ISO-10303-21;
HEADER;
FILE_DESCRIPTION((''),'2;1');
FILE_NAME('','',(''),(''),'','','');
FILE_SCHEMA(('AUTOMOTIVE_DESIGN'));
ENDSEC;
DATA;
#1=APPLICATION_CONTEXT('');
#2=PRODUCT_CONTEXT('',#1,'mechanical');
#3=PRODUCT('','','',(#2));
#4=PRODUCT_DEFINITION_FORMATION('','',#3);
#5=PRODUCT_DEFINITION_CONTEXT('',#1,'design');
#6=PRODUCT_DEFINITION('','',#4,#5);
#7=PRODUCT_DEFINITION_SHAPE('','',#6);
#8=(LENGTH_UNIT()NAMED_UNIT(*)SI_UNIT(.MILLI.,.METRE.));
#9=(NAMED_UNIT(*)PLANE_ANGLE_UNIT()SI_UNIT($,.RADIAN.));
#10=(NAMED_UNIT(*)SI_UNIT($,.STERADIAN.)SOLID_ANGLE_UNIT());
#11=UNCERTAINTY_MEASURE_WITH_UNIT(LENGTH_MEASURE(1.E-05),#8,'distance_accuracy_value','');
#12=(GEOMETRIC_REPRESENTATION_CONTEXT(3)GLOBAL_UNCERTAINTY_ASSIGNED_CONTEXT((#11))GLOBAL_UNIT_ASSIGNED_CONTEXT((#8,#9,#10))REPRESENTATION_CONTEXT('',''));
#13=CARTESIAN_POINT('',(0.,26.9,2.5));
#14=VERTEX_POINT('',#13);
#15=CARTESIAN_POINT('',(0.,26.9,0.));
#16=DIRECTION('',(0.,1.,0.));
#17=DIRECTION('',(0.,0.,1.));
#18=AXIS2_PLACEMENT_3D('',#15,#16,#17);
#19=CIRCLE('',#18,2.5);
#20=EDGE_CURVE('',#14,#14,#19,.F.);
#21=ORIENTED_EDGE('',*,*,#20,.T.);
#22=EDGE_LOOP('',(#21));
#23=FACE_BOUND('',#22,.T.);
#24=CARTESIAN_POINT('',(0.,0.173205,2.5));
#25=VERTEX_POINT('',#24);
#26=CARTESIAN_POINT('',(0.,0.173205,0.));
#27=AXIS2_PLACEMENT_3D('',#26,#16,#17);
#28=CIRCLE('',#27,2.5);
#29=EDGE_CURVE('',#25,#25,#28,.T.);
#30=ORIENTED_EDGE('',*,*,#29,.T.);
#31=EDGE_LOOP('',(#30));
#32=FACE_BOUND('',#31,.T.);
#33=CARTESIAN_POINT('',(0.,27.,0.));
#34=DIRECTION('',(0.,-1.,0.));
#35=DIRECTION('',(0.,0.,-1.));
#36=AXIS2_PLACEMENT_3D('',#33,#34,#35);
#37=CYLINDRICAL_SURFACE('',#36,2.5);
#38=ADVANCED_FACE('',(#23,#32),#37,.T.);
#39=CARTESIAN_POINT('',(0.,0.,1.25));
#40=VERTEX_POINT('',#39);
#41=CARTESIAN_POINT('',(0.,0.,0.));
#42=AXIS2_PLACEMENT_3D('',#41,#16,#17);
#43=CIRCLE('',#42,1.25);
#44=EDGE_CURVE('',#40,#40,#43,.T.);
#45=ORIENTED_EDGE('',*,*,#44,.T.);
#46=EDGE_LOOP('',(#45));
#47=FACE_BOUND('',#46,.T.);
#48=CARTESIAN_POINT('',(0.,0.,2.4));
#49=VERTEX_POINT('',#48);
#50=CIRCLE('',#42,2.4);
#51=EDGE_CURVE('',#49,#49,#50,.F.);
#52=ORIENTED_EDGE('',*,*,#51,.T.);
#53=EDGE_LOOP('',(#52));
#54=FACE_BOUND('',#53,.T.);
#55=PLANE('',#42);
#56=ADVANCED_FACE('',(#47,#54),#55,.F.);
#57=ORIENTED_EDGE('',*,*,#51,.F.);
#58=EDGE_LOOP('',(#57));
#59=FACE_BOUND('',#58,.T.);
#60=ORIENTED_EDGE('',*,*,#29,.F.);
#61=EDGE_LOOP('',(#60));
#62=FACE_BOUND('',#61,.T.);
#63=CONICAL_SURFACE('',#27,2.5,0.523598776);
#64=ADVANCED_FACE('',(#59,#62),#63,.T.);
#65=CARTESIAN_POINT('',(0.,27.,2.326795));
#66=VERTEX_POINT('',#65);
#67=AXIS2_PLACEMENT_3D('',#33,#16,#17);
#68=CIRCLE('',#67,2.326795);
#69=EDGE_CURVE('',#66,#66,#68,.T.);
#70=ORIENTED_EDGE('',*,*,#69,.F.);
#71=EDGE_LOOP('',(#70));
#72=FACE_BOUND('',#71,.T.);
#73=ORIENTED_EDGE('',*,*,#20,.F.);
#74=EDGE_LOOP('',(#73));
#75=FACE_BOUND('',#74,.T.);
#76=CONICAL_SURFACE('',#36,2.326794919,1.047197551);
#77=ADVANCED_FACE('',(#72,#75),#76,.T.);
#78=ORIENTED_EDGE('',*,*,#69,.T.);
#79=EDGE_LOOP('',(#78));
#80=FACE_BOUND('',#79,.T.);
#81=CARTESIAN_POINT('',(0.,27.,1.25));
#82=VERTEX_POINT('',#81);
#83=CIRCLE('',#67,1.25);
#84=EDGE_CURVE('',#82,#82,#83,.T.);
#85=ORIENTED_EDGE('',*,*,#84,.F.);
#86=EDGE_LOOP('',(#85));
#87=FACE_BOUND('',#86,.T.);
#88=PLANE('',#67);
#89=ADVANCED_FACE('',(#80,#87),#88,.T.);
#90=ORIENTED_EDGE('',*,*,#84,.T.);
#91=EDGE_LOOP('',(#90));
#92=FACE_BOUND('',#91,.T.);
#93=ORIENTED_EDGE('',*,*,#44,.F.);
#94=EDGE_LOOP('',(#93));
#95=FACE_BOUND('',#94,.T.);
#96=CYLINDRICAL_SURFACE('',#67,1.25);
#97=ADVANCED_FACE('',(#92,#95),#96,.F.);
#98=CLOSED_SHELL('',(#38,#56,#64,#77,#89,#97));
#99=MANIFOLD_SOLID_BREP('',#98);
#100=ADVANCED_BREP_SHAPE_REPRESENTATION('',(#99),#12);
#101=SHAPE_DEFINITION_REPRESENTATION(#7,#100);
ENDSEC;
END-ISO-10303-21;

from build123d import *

# Parameters (mm, degrees)
SKETCH2_R             = 2.5
BOSS_EXTRUDE1_DEPTH   = 27
CHAMFER1_SIZE         = 0.1
CHAMFER1_SIZE2        = 0.173205081
CHAMFER1_PART_2_SIZE  = 0.1
CHAMFER1_PART_2_SIZE2 = 0.173205081
M3X0_5_TAPPED_HOLE1_D = 2.5


with BuildPart() as part:
    # Sketch2 → Boss-Extrude1 (new body)
    with BuildSketch(Plane(origin=(0, 0, 0), x_dir=(1, 0, 0), z_dir=(0, 1, 0))):
        Circle(SKETCH2_R)
    extrude(amount=BOSS_EXTRUDE1_DEPTH)

    # Chamfer1
    chamfer1_edges = [part.edges().sort_by_distance(p)[0] for p in [
        (-2.5, 0, 0),
    ]]
    chamfer1_side = [part.faces().sort_by_distance(p)[0] for p in [
        (0, 0, 0),
    ]]
    chamfer(chamfer1_edges, length=CHAMFER1_SIZE, length2=CHAMFER1_SIZE2, reference=chamfer1_side[0])

    # Chamfer1 part 2
    chamfer1_part_2_edges = [part.edges().sort_by_distance(p)[0] for p in [
        (-2.5, 27, 0),
    ]]
    chamfer1_part_2_side = [part.faces().sort_by_distance(p)[0] for p in [
        (-2.5, 13.5, 0),
    ]]
    chamfer(chamfer1_part_2_edges, length=CHAMFER1_PART_2_SIZE, length2=CHAMFER1_PART_2_SIZE2, reference=chamfer1_part_2_side[0])

    # M3x0.5 Tapped Hole1 (through all)
    with Locations(Plane(origin=(0, 27, 0), x_dir=(1, 0, 0), z_dir=(0, 1, 0))):
        with Locations((0, 0)):
            Hole(M3X0_5_TAPPED_HOLE1_D / 2)


solid = part.part
